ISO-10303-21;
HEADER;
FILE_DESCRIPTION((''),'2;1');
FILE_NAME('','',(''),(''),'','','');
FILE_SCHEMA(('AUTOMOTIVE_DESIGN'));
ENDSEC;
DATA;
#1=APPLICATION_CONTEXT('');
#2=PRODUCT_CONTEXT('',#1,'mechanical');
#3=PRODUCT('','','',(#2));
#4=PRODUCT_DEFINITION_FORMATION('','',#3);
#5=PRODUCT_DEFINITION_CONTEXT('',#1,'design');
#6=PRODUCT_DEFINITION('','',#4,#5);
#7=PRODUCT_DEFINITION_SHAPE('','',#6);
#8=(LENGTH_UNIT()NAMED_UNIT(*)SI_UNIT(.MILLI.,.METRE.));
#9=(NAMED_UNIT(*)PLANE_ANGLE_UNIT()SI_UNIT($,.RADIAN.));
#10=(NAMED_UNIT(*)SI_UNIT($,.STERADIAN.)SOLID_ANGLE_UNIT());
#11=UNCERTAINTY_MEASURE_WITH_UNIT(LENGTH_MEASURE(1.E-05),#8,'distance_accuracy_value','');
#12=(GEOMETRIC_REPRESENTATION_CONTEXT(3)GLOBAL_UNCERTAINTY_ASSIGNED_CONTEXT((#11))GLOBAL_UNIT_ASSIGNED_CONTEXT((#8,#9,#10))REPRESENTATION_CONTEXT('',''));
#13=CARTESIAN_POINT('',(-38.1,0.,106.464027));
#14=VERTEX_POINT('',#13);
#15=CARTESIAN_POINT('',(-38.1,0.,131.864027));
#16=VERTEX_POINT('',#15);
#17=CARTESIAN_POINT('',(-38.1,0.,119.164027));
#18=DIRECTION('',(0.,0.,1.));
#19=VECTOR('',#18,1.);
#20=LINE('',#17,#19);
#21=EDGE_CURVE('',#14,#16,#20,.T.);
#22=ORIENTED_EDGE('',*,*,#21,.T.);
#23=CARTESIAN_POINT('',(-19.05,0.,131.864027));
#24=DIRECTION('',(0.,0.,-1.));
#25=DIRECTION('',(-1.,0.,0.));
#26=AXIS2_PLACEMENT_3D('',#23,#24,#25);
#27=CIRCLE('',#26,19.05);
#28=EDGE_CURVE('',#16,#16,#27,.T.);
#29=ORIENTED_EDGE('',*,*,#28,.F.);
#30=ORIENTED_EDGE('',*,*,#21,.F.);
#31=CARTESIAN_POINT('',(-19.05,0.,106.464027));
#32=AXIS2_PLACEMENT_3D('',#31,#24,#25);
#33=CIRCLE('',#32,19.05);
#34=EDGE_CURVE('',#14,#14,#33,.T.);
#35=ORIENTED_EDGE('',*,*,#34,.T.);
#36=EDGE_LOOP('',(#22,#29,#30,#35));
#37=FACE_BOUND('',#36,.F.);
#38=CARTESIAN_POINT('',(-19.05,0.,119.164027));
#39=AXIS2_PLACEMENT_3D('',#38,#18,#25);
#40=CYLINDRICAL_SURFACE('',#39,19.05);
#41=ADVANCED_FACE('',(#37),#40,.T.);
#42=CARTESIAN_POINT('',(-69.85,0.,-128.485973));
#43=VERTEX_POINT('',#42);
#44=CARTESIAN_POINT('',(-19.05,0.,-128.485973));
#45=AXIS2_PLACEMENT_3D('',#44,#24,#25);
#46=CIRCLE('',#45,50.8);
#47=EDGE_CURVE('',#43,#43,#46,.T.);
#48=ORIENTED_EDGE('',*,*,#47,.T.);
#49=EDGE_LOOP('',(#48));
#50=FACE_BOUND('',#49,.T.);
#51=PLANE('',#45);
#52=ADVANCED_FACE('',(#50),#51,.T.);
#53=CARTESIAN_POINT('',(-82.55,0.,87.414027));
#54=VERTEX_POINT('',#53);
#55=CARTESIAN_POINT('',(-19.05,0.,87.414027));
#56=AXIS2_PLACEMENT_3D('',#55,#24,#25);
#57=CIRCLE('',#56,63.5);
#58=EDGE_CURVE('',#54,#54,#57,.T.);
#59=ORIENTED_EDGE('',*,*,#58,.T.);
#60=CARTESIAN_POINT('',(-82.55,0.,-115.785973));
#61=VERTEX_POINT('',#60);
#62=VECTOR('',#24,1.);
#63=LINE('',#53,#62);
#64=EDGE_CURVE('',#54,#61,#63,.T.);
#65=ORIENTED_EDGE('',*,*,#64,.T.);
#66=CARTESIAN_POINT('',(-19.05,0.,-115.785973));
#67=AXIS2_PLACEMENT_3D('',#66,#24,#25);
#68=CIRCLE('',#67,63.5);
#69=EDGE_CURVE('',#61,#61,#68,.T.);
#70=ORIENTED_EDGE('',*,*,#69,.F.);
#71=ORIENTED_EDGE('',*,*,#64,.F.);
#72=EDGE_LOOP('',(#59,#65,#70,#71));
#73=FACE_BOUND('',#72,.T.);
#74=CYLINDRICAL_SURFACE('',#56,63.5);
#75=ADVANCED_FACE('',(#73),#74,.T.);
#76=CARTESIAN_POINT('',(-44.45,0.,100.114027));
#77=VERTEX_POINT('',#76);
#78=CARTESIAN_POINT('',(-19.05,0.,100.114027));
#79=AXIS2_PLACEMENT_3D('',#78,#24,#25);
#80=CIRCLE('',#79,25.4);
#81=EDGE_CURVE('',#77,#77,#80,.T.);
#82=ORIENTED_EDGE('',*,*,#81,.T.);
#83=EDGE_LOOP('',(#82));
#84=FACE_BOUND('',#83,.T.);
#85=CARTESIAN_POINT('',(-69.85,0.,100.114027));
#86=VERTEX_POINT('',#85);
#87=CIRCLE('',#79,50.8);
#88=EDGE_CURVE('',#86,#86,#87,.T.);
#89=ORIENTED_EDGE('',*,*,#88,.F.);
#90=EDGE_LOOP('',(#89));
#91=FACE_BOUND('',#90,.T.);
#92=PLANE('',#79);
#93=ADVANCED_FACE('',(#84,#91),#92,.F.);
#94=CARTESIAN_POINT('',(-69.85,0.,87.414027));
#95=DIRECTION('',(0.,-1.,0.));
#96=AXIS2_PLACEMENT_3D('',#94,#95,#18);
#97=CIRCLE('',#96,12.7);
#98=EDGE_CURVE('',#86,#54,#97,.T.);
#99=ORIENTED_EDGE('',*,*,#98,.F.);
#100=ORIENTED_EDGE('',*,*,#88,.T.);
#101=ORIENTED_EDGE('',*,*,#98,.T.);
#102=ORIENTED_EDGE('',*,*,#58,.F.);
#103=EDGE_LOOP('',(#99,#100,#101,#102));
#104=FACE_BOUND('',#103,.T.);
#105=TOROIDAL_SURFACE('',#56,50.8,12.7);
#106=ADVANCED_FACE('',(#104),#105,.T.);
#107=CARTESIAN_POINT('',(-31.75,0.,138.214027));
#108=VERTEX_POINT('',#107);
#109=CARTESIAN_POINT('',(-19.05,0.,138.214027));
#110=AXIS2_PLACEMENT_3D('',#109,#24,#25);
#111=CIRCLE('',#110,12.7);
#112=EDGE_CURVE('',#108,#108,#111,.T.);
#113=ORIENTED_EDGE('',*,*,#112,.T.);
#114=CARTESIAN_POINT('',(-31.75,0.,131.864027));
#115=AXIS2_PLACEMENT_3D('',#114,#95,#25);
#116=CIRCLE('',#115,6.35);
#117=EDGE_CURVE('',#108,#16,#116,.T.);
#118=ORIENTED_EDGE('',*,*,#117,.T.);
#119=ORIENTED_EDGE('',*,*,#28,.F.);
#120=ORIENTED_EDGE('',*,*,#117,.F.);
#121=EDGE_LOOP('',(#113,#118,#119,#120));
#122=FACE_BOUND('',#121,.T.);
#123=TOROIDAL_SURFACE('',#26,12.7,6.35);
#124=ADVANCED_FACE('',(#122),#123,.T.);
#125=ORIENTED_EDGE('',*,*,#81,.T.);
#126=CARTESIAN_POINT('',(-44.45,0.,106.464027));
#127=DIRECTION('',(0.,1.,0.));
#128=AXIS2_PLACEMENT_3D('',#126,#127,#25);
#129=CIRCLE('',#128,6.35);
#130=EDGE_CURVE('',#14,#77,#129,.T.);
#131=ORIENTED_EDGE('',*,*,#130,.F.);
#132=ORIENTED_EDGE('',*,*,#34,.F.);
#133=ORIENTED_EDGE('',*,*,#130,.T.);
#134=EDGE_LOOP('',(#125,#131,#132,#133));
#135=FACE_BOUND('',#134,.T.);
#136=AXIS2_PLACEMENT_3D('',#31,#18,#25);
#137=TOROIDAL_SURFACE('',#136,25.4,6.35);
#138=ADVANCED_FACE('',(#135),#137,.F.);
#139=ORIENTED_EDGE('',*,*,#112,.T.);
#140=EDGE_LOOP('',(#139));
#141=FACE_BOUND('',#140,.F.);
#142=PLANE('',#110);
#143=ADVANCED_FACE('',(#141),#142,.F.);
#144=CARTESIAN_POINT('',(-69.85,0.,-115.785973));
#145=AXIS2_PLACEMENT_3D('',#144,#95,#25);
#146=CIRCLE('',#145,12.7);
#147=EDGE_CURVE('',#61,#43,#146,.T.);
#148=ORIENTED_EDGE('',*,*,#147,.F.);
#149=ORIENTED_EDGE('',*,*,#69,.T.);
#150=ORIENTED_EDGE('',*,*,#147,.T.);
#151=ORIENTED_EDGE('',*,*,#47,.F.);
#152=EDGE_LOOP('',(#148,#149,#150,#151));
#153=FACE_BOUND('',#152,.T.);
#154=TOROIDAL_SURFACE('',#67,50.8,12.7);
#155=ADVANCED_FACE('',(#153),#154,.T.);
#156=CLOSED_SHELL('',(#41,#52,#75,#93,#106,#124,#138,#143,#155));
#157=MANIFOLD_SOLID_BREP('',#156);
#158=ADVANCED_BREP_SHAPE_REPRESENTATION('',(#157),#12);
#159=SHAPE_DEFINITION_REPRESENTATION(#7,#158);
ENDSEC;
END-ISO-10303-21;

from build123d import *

# Parameters (mm, degrees)
F0_W = 19.05
F0_H = 38.1
F2_R = 6.35


with BuildPart() as f1:
    # F0 (on Front) → F1 (revolve)
    with BuildSketch(Plane.XZ):
        with BuildLine():
            Line((-38.1, 100.1140274882), (-69.85, 100.1140274882))
            ThreePointArc((-69.85, 100.1140274882), (-78.8302561211, 96.3942836093), (-82.55, 87.4140274882))
            Line((-82.55, 87.4140274882), (-82.55, -115.7859725118))
            ThreePointArc((-82.55, -115.7859725118), (-78.8302561211, -124.7662286328), (-69.85, -128.4859725118))
            Line((-69.85, -128.4859725118), (-19.05, -128.4859725118))
            Line((-19.05, -128.4859725118), (-19.05, 100.1140274882))
            Line((-19.05, 100.1140274882), (-38.1, 100.1140274882))
        make_face()
        with Locations((-28.575, 119.1640274882)):
            Rectangle(F0_W, F0_H)
    revolve(axis=Axis((-19.05, 0, 11.2281292677), (0, 0, -1)))

    # F2
    f2_edges = [f1.edges().sort_by_distance(p)[0] for p in [
        (0, 0, 100.114027),
        (0, 0, 138.214027),
    ]]
    fillet(f2_edges, radius=F2_R)


solid = f1.part
